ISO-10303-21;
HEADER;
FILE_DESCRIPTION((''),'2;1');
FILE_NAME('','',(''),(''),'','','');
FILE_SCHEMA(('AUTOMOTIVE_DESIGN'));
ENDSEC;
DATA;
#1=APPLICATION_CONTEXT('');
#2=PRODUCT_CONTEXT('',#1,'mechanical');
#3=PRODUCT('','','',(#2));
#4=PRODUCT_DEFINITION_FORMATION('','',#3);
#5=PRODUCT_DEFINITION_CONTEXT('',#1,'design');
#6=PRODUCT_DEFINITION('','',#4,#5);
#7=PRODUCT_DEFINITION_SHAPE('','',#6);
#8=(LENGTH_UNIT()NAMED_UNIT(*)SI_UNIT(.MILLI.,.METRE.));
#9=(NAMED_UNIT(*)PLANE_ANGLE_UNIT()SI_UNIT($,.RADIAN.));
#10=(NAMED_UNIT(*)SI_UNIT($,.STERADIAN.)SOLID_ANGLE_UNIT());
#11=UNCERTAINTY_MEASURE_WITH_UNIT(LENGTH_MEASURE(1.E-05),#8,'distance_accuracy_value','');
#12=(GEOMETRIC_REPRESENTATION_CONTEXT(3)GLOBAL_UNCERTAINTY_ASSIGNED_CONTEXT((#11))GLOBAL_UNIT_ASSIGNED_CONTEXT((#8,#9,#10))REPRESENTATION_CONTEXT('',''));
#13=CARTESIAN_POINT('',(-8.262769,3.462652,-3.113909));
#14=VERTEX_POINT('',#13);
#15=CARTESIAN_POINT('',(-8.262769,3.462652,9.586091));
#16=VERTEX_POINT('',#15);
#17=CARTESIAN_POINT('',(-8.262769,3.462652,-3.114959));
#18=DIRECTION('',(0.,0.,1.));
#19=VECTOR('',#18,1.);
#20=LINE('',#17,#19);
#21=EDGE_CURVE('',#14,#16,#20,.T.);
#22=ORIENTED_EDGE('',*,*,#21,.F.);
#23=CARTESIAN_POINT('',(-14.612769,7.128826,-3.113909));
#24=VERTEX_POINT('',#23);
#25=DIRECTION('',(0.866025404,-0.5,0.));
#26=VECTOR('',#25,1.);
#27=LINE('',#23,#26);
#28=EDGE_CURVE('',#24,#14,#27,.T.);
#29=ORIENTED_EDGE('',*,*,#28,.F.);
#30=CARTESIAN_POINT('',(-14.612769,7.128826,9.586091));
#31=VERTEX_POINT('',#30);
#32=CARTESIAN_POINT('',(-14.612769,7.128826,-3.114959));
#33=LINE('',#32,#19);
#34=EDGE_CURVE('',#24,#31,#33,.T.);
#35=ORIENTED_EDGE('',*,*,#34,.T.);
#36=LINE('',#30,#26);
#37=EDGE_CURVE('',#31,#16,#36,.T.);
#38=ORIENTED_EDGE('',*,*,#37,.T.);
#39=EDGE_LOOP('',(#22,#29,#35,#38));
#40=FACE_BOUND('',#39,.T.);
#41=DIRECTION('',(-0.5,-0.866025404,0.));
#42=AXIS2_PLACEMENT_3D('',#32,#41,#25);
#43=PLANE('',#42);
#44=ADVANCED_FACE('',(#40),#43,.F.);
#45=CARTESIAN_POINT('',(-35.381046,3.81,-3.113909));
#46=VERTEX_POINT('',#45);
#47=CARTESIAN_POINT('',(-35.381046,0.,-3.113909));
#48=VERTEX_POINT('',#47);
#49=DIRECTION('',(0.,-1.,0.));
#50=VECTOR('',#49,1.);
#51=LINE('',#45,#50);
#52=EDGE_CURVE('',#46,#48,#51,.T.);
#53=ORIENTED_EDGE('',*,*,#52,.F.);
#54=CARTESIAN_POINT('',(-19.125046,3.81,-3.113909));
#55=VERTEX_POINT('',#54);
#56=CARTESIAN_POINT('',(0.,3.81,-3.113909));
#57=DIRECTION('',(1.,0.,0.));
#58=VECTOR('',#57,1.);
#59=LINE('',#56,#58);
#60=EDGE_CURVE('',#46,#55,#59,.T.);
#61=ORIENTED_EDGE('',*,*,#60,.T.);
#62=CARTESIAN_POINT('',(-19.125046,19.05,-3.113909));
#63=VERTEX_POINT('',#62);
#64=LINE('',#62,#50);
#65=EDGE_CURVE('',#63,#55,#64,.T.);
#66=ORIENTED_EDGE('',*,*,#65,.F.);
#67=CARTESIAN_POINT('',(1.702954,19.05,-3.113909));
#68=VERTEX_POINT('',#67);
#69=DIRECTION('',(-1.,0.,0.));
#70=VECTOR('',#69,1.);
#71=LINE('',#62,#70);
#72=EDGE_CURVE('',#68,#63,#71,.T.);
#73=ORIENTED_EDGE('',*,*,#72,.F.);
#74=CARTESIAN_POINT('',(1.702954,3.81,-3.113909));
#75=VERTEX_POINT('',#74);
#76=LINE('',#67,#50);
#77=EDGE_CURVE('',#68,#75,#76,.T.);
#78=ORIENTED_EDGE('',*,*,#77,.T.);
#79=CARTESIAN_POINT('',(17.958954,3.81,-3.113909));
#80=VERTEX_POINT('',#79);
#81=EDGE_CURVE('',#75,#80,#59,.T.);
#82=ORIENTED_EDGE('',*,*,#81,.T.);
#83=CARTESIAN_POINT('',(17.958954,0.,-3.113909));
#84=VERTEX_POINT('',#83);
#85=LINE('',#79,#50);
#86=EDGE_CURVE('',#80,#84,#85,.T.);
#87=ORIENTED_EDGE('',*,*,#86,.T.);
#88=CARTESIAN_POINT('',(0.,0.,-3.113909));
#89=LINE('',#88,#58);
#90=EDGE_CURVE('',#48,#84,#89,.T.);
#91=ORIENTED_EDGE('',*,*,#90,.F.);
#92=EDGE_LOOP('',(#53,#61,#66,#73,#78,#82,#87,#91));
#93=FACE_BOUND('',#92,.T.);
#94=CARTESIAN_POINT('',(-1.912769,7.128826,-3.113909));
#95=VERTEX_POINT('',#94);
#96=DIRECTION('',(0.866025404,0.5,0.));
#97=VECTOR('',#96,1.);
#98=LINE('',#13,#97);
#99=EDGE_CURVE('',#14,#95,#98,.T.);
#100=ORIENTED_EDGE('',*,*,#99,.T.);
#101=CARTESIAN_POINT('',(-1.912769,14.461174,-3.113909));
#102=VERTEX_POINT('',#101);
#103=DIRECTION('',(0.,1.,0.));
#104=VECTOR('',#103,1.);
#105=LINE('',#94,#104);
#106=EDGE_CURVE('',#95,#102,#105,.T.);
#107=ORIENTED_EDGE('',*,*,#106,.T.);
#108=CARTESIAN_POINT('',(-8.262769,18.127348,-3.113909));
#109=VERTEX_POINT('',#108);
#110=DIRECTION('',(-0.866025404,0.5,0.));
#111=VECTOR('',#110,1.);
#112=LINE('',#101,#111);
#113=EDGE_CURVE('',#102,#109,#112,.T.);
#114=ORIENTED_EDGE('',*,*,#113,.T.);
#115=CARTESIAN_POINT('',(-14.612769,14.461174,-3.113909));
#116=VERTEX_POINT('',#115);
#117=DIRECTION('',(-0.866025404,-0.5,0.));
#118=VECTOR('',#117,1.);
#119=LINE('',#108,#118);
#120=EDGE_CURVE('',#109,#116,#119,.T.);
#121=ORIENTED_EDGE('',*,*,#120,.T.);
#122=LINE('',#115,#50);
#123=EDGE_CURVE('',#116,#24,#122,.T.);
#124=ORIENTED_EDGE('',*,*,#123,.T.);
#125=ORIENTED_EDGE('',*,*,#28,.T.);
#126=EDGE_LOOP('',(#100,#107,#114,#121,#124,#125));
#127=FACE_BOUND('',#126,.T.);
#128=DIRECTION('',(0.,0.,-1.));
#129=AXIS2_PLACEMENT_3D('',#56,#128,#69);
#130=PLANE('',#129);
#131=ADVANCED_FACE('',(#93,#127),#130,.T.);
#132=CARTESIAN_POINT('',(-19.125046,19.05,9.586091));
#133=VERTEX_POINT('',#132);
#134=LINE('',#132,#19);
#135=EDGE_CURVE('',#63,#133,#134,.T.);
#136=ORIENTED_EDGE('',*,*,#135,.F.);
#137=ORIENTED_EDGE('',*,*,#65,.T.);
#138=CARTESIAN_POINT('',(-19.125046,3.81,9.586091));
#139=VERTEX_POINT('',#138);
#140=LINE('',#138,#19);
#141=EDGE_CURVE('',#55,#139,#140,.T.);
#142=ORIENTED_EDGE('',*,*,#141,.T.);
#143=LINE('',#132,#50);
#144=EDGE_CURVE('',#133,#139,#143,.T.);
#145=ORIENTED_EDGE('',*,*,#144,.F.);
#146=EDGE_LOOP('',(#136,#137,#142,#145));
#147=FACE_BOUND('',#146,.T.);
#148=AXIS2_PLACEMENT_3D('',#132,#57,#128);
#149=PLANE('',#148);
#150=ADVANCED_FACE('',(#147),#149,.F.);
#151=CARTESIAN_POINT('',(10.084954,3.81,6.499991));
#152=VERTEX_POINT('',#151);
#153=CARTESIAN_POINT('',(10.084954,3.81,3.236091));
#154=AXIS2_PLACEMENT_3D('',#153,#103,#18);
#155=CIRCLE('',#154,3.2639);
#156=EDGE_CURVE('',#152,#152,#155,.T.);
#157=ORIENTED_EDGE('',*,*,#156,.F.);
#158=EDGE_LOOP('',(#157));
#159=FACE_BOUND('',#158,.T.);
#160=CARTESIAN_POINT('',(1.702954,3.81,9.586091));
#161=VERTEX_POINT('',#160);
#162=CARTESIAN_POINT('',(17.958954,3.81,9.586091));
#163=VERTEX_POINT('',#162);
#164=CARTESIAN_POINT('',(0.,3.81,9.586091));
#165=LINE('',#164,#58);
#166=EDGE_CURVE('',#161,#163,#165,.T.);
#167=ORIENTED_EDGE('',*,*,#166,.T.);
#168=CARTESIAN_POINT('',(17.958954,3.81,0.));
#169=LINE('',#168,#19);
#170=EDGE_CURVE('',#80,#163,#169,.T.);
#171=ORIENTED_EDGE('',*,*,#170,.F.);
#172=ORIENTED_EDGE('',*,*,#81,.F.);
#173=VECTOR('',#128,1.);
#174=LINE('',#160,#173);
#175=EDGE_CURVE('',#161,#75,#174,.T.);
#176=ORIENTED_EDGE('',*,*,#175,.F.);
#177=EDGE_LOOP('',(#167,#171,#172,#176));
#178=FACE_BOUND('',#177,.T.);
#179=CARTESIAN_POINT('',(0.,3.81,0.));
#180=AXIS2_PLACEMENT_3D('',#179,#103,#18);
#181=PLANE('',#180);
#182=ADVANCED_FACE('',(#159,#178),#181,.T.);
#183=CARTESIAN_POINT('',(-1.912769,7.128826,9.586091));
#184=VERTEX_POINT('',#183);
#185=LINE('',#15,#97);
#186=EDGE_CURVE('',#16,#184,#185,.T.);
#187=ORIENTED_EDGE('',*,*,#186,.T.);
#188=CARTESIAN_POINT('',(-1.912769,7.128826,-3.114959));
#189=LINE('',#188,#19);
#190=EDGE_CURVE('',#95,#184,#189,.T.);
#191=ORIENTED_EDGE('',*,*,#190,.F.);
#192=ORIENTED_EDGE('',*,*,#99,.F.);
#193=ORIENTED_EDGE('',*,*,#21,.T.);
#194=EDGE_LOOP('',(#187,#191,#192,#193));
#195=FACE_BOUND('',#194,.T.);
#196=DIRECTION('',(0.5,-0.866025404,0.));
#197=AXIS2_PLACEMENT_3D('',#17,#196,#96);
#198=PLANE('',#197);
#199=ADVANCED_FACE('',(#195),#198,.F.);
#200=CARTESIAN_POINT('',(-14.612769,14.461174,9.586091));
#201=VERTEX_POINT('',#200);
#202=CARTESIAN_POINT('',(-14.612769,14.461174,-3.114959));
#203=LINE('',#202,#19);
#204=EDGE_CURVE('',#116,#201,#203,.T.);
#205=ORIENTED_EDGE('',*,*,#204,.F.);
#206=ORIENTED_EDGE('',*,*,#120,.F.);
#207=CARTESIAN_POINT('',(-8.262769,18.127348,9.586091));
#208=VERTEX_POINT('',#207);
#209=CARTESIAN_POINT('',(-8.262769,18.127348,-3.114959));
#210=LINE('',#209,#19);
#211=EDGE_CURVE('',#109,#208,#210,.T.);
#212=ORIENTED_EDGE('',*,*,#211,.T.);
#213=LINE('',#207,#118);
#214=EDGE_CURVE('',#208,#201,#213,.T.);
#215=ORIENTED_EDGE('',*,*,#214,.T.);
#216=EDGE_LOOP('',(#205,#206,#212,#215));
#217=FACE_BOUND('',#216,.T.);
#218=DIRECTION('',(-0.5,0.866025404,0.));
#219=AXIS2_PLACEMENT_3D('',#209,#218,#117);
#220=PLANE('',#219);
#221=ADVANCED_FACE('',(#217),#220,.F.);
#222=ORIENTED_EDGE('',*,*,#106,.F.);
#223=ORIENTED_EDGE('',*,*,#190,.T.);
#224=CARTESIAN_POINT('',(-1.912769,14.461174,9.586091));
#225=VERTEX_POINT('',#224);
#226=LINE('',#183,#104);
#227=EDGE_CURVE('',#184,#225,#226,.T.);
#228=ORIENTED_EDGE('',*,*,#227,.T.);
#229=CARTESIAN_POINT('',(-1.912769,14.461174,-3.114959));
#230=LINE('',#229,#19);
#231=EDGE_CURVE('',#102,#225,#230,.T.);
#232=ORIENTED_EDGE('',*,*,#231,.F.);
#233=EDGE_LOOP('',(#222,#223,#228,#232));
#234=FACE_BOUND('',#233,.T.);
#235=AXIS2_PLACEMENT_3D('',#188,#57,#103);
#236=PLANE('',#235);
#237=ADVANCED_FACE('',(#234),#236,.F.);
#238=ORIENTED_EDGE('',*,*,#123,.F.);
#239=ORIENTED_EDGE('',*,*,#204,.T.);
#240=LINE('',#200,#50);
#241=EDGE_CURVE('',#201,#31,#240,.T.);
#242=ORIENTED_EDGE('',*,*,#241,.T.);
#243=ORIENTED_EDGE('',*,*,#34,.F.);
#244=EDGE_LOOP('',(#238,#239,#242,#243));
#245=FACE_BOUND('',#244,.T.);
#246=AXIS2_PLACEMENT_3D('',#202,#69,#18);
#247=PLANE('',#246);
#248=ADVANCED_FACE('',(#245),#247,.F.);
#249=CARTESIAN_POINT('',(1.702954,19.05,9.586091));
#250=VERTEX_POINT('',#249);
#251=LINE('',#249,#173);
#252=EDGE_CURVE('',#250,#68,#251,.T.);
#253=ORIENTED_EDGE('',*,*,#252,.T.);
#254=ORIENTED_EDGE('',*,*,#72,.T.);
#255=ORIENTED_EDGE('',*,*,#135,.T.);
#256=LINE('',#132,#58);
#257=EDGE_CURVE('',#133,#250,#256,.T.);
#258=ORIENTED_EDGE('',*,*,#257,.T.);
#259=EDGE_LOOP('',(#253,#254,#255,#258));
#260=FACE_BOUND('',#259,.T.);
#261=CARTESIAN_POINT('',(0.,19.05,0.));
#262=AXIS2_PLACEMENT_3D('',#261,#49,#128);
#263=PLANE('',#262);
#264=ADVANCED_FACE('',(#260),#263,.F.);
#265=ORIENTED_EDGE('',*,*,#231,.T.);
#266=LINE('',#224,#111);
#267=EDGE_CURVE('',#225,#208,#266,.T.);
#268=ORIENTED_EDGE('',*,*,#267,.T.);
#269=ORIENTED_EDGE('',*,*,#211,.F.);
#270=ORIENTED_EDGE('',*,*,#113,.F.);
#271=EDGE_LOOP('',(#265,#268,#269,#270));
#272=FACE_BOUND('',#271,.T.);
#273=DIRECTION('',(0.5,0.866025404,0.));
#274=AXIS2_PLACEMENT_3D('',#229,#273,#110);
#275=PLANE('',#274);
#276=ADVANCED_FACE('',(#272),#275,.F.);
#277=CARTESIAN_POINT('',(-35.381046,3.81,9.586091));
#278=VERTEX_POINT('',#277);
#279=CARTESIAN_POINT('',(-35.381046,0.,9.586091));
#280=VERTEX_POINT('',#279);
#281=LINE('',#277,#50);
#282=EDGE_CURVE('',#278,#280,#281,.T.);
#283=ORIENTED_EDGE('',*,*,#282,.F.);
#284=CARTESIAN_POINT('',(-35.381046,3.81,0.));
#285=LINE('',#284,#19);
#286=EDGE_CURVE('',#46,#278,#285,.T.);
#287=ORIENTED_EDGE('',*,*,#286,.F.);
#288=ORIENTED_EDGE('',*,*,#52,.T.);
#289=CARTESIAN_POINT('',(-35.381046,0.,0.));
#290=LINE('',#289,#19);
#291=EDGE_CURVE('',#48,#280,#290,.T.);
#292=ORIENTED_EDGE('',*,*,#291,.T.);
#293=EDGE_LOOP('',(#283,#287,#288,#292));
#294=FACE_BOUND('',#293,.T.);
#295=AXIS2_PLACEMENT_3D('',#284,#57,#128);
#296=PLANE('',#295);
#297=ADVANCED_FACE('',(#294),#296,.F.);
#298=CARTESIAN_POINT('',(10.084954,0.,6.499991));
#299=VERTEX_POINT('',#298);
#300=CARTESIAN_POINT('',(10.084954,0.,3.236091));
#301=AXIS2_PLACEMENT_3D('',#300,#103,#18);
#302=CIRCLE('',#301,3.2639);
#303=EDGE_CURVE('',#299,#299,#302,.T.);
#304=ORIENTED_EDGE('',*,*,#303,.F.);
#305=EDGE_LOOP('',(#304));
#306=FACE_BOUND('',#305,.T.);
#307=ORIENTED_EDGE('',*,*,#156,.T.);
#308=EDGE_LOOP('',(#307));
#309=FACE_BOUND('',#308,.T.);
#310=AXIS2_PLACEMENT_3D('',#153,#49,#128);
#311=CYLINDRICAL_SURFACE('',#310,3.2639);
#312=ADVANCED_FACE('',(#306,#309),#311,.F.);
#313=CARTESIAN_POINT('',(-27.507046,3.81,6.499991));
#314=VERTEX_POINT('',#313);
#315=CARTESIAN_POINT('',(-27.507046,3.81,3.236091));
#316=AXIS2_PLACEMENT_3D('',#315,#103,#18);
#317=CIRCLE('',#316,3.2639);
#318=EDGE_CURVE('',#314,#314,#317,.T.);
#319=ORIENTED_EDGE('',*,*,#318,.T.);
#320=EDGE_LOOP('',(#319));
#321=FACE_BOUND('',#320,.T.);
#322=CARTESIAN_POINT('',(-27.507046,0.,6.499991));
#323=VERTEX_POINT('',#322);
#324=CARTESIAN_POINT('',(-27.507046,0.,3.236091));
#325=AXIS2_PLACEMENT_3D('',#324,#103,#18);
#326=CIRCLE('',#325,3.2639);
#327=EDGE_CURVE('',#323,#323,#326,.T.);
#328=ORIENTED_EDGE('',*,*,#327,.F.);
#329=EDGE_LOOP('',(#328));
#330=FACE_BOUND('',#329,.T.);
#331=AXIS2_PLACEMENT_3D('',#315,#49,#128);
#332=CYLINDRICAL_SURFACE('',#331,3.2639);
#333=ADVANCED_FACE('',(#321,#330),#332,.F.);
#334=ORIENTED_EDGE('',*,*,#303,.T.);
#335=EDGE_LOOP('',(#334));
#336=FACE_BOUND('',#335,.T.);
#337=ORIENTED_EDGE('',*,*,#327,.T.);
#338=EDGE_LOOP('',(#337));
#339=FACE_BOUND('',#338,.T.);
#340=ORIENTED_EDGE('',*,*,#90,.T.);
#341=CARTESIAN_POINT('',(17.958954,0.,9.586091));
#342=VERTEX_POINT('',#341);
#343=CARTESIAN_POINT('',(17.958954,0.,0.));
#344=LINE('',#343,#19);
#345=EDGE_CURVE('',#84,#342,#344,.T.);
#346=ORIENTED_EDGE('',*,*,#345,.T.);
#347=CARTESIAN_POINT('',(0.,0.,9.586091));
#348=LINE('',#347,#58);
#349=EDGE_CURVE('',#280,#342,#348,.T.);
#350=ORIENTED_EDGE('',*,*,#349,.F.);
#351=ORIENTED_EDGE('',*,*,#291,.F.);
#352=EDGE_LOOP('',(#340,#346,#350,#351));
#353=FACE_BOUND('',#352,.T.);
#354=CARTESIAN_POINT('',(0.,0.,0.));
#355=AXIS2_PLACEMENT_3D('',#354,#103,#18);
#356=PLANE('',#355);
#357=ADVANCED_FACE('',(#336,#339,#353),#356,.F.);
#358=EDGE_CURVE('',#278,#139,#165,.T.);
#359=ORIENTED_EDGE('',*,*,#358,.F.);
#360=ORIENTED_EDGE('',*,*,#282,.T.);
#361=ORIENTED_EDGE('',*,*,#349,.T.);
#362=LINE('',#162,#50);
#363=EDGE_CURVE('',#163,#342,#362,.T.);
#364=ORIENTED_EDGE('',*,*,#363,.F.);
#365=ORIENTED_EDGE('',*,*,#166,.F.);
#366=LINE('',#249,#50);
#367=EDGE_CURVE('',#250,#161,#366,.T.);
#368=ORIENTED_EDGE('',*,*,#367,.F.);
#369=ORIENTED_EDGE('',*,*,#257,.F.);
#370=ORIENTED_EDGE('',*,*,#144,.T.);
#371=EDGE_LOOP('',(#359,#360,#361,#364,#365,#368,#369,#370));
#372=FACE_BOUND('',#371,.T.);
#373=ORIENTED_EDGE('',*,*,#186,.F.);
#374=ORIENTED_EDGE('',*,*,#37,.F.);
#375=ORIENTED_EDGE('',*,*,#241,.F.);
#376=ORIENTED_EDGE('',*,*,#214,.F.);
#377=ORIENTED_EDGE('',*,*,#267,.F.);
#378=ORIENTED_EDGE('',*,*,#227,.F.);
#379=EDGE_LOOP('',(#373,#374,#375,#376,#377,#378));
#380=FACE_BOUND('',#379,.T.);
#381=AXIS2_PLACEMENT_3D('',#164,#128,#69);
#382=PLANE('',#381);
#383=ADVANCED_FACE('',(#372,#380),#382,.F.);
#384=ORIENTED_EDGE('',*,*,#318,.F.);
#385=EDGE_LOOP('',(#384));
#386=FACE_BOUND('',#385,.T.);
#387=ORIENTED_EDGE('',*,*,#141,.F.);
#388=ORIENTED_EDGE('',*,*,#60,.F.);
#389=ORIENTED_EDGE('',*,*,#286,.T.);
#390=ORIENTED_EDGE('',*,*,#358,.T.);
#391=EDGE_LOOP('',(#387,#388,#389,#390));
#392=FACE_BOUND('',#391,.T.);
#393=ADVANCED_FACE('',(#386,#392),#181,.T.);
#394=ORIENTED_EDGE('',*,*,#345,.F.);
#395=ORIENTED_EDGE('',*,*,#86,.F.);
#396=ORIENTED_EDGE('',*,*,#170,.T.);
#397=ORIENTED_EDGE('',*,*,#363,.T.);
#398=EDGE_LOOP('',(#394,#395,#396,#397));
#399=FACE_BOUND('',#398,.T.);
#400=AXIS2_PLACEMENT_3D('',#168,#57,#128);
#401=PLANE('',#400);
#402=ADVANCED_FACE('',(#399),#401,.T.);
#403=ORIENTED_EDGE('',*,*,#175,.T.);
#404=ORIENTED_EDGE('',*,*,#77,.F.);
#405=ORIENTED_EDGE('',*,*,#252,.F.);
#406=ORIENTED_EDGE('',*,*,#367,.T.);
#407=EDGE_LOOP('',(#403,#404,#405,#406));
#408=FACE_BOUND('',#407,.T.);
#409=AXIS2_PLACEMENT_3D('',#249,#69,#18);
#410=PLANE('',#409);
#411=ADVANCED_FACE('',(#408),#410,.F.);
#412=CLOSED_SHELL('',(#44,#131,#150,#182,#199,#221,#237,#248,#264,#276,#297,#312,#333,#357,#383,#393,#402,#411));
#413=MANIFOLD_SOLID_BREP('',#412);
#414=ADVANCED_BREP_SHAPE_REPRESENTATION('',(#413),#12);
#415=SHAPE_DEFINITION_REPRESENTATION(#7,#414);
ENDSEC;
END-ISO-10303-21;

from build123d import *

# Parameters (mm, degrees)
SKETCH1_W           = 15.494
SKETCH1_H           = 12.7
SKETCH1_R           = 3.2639
SKETCH1_W_2         = 22.352
BOSS_EXTRUDE3_DEPTH = 3.81
SKETCH3_W           = 20.828
SKETCH3_H           = 12.7
BOSS_EXTRUDE4_DEPTH = 15.24
CUT_EXTRUDE2_REACH  = 14.7


with BuildPart() as part:
    # Sketch1 → Boss-Extrude3 (new body)
    with BuildSketch(Plane(origin=(0, 0, 0), x_dir=(1, 0, 0), z_dir=(0, 1, 0))):
        with Locations((-27.634045528, -3.236090754)):
            Rectangle(SKETCH1_W, SKETCH1_H)
        with Locations((-27.507045528, -3.236090754)):
            Circle(SKETCH1_R, mode=Mode.SUBTRACT)
        with Locations((-8.711045528, -3.236090754)):
            Rectangle(SKETCH1_W_2, SKETCH1_H)
        with Locations((10.211954472, -3.236090754)):
            Rectangle(SKETCH1_W, SKETCH1_H)
        with Locations((10.084954472, -3.236090754)):
            Circle(SKETCH1_R, mode=Mode.SUBTRACT)
    extrude(amount=BOSS_EXTRUDE3_DEPTH)

    # Sketch3 → Boss-Extrude4 (add)
    with BuildSketch(Plane(origin=(0, 3.81, 0), x_dir=(1, 0, 0), z_dir=(0, 1, 0))):
        with Locations((-8.711045528, -3.236090754)):
            Rectangle(SKETCH3_W, SKETCH3_H)
    extrude(amount=BOSS_EXTRUDE4_DEPTH)

    # Sketch4 → Cut-Extrude2 (cut, up to next)
    with BuildSketch(Plane.XY.offset(9.586090754), mode=Mode.PRIVATE) as cut_extrude2_sk1:
        Polygon((-8.262769146, 18.127348419), (-14.612769146, 14.461174209), (-14.612769146, 7.128825791), (-8.262769146, 3.462651581), (-1.912769146, 7.128825791), (-1.912769146, 14.461174209), align=None)
    cut_extrude2_tool1 = extrude(cut_extrude2_sk1.sketch, amount=-CUT_EXTRUDE2_REACH, mode=Mode.PRIVATE) & part.part
    add(cut_extrude2_tool1.solids().sort_by_distance((-8.262769, 10.795, 9.586091))[0], mode=Mode.SUBTRACT)


solid = part.part
